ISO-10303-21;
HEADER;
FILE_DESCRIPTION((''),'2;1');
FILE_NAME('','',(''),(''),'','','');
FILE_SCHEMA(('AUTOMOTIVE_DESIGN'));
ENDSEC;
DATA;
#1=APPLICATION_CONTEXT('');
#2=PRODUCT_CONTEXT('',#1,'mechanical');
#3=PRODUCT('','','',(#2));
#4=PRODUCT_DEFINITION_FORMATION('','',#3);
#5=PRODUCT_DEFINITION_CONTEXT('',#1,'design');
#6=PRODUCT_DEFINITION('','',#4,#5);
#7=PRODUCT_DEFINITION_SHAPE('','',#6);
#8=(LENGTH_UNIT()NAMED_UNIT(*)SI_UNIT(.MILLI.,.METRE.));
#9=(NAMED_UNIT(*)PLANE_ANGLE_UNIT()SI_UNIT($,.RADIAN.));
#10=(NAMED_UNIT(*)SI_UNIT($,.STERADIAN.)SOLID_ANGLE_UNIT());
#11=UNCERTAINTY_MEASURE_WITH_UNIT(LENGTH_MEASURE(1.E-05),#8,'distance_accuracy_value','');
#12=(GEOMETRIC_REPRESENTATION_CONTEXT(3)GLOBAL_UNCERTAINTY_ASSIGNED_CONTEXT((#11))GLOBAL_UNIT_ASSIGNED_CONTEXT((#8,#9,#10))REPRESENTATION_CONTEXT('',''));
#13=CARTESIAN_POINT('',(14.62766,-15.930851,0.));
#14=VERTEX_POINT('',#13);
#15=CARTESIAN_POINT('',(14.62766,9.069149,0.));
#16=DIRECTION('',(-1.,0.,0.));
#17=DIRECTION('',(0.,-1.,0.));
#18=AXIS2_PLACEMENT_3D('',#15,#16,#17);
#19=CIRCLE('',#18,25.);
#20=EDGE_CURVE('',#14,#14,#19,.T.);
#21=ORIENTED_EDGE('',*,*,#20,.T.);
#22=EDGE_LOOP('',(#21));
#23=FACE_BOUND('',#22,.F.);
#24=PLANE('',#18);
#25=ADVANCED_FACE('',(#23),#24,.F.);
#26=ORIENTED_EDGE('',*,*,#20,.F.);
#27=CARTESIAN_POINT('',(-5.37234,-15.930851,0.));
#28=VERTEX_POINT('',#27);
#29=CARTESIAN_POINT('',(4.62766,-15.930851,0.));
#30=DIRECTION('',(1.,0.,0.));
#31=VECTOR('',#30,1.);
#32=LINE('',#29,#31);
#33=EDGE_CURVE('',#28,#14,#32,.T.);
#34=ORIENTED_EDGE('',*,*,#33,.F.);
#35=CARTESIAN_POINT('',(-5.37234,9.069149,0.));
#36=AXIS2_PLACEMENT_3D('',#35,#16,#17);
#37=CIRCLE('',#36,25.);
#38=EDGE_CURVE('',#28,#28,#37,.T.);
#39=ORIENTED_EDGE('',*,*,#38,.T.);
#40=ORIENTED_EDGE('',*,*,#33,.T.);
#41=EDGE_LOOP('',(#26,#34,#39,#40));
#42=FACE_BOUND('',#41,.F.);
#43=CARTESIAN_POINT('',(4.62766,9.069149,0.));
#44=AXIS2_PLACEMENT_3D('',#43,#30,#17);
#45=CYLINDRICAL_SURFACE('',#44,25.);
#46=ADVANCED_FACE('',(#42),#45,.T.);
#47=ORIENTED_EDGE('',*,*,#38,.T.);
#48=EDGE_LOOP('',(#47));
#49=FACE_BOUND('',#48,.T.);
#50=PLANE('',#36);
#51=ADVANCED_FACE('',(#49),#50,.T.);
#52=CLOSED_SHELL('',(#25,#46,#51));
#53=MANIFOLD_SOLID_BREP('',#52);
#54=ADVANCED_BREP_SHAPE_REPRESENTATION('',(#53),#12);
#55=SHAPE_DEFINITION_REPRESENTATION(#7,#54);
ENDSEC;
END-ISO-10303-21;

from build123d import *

# Parameters (mm, degrees)
SKETCH1_W = 20
SKETCH1_H = 25


with BuildPart() as part:
    # Sketch1 → Revolve1 (revolve)
    with BuildSketch(Plane.XY):
        with Locations((4.627659574, -3.430851064)):
            Rectangle(SKETCH1_W, SKETCH1_H)
    revolve(axis=Axis((14.627659574, 9.069148936, 0), (-1, 0, 0)))


solid = part.part
